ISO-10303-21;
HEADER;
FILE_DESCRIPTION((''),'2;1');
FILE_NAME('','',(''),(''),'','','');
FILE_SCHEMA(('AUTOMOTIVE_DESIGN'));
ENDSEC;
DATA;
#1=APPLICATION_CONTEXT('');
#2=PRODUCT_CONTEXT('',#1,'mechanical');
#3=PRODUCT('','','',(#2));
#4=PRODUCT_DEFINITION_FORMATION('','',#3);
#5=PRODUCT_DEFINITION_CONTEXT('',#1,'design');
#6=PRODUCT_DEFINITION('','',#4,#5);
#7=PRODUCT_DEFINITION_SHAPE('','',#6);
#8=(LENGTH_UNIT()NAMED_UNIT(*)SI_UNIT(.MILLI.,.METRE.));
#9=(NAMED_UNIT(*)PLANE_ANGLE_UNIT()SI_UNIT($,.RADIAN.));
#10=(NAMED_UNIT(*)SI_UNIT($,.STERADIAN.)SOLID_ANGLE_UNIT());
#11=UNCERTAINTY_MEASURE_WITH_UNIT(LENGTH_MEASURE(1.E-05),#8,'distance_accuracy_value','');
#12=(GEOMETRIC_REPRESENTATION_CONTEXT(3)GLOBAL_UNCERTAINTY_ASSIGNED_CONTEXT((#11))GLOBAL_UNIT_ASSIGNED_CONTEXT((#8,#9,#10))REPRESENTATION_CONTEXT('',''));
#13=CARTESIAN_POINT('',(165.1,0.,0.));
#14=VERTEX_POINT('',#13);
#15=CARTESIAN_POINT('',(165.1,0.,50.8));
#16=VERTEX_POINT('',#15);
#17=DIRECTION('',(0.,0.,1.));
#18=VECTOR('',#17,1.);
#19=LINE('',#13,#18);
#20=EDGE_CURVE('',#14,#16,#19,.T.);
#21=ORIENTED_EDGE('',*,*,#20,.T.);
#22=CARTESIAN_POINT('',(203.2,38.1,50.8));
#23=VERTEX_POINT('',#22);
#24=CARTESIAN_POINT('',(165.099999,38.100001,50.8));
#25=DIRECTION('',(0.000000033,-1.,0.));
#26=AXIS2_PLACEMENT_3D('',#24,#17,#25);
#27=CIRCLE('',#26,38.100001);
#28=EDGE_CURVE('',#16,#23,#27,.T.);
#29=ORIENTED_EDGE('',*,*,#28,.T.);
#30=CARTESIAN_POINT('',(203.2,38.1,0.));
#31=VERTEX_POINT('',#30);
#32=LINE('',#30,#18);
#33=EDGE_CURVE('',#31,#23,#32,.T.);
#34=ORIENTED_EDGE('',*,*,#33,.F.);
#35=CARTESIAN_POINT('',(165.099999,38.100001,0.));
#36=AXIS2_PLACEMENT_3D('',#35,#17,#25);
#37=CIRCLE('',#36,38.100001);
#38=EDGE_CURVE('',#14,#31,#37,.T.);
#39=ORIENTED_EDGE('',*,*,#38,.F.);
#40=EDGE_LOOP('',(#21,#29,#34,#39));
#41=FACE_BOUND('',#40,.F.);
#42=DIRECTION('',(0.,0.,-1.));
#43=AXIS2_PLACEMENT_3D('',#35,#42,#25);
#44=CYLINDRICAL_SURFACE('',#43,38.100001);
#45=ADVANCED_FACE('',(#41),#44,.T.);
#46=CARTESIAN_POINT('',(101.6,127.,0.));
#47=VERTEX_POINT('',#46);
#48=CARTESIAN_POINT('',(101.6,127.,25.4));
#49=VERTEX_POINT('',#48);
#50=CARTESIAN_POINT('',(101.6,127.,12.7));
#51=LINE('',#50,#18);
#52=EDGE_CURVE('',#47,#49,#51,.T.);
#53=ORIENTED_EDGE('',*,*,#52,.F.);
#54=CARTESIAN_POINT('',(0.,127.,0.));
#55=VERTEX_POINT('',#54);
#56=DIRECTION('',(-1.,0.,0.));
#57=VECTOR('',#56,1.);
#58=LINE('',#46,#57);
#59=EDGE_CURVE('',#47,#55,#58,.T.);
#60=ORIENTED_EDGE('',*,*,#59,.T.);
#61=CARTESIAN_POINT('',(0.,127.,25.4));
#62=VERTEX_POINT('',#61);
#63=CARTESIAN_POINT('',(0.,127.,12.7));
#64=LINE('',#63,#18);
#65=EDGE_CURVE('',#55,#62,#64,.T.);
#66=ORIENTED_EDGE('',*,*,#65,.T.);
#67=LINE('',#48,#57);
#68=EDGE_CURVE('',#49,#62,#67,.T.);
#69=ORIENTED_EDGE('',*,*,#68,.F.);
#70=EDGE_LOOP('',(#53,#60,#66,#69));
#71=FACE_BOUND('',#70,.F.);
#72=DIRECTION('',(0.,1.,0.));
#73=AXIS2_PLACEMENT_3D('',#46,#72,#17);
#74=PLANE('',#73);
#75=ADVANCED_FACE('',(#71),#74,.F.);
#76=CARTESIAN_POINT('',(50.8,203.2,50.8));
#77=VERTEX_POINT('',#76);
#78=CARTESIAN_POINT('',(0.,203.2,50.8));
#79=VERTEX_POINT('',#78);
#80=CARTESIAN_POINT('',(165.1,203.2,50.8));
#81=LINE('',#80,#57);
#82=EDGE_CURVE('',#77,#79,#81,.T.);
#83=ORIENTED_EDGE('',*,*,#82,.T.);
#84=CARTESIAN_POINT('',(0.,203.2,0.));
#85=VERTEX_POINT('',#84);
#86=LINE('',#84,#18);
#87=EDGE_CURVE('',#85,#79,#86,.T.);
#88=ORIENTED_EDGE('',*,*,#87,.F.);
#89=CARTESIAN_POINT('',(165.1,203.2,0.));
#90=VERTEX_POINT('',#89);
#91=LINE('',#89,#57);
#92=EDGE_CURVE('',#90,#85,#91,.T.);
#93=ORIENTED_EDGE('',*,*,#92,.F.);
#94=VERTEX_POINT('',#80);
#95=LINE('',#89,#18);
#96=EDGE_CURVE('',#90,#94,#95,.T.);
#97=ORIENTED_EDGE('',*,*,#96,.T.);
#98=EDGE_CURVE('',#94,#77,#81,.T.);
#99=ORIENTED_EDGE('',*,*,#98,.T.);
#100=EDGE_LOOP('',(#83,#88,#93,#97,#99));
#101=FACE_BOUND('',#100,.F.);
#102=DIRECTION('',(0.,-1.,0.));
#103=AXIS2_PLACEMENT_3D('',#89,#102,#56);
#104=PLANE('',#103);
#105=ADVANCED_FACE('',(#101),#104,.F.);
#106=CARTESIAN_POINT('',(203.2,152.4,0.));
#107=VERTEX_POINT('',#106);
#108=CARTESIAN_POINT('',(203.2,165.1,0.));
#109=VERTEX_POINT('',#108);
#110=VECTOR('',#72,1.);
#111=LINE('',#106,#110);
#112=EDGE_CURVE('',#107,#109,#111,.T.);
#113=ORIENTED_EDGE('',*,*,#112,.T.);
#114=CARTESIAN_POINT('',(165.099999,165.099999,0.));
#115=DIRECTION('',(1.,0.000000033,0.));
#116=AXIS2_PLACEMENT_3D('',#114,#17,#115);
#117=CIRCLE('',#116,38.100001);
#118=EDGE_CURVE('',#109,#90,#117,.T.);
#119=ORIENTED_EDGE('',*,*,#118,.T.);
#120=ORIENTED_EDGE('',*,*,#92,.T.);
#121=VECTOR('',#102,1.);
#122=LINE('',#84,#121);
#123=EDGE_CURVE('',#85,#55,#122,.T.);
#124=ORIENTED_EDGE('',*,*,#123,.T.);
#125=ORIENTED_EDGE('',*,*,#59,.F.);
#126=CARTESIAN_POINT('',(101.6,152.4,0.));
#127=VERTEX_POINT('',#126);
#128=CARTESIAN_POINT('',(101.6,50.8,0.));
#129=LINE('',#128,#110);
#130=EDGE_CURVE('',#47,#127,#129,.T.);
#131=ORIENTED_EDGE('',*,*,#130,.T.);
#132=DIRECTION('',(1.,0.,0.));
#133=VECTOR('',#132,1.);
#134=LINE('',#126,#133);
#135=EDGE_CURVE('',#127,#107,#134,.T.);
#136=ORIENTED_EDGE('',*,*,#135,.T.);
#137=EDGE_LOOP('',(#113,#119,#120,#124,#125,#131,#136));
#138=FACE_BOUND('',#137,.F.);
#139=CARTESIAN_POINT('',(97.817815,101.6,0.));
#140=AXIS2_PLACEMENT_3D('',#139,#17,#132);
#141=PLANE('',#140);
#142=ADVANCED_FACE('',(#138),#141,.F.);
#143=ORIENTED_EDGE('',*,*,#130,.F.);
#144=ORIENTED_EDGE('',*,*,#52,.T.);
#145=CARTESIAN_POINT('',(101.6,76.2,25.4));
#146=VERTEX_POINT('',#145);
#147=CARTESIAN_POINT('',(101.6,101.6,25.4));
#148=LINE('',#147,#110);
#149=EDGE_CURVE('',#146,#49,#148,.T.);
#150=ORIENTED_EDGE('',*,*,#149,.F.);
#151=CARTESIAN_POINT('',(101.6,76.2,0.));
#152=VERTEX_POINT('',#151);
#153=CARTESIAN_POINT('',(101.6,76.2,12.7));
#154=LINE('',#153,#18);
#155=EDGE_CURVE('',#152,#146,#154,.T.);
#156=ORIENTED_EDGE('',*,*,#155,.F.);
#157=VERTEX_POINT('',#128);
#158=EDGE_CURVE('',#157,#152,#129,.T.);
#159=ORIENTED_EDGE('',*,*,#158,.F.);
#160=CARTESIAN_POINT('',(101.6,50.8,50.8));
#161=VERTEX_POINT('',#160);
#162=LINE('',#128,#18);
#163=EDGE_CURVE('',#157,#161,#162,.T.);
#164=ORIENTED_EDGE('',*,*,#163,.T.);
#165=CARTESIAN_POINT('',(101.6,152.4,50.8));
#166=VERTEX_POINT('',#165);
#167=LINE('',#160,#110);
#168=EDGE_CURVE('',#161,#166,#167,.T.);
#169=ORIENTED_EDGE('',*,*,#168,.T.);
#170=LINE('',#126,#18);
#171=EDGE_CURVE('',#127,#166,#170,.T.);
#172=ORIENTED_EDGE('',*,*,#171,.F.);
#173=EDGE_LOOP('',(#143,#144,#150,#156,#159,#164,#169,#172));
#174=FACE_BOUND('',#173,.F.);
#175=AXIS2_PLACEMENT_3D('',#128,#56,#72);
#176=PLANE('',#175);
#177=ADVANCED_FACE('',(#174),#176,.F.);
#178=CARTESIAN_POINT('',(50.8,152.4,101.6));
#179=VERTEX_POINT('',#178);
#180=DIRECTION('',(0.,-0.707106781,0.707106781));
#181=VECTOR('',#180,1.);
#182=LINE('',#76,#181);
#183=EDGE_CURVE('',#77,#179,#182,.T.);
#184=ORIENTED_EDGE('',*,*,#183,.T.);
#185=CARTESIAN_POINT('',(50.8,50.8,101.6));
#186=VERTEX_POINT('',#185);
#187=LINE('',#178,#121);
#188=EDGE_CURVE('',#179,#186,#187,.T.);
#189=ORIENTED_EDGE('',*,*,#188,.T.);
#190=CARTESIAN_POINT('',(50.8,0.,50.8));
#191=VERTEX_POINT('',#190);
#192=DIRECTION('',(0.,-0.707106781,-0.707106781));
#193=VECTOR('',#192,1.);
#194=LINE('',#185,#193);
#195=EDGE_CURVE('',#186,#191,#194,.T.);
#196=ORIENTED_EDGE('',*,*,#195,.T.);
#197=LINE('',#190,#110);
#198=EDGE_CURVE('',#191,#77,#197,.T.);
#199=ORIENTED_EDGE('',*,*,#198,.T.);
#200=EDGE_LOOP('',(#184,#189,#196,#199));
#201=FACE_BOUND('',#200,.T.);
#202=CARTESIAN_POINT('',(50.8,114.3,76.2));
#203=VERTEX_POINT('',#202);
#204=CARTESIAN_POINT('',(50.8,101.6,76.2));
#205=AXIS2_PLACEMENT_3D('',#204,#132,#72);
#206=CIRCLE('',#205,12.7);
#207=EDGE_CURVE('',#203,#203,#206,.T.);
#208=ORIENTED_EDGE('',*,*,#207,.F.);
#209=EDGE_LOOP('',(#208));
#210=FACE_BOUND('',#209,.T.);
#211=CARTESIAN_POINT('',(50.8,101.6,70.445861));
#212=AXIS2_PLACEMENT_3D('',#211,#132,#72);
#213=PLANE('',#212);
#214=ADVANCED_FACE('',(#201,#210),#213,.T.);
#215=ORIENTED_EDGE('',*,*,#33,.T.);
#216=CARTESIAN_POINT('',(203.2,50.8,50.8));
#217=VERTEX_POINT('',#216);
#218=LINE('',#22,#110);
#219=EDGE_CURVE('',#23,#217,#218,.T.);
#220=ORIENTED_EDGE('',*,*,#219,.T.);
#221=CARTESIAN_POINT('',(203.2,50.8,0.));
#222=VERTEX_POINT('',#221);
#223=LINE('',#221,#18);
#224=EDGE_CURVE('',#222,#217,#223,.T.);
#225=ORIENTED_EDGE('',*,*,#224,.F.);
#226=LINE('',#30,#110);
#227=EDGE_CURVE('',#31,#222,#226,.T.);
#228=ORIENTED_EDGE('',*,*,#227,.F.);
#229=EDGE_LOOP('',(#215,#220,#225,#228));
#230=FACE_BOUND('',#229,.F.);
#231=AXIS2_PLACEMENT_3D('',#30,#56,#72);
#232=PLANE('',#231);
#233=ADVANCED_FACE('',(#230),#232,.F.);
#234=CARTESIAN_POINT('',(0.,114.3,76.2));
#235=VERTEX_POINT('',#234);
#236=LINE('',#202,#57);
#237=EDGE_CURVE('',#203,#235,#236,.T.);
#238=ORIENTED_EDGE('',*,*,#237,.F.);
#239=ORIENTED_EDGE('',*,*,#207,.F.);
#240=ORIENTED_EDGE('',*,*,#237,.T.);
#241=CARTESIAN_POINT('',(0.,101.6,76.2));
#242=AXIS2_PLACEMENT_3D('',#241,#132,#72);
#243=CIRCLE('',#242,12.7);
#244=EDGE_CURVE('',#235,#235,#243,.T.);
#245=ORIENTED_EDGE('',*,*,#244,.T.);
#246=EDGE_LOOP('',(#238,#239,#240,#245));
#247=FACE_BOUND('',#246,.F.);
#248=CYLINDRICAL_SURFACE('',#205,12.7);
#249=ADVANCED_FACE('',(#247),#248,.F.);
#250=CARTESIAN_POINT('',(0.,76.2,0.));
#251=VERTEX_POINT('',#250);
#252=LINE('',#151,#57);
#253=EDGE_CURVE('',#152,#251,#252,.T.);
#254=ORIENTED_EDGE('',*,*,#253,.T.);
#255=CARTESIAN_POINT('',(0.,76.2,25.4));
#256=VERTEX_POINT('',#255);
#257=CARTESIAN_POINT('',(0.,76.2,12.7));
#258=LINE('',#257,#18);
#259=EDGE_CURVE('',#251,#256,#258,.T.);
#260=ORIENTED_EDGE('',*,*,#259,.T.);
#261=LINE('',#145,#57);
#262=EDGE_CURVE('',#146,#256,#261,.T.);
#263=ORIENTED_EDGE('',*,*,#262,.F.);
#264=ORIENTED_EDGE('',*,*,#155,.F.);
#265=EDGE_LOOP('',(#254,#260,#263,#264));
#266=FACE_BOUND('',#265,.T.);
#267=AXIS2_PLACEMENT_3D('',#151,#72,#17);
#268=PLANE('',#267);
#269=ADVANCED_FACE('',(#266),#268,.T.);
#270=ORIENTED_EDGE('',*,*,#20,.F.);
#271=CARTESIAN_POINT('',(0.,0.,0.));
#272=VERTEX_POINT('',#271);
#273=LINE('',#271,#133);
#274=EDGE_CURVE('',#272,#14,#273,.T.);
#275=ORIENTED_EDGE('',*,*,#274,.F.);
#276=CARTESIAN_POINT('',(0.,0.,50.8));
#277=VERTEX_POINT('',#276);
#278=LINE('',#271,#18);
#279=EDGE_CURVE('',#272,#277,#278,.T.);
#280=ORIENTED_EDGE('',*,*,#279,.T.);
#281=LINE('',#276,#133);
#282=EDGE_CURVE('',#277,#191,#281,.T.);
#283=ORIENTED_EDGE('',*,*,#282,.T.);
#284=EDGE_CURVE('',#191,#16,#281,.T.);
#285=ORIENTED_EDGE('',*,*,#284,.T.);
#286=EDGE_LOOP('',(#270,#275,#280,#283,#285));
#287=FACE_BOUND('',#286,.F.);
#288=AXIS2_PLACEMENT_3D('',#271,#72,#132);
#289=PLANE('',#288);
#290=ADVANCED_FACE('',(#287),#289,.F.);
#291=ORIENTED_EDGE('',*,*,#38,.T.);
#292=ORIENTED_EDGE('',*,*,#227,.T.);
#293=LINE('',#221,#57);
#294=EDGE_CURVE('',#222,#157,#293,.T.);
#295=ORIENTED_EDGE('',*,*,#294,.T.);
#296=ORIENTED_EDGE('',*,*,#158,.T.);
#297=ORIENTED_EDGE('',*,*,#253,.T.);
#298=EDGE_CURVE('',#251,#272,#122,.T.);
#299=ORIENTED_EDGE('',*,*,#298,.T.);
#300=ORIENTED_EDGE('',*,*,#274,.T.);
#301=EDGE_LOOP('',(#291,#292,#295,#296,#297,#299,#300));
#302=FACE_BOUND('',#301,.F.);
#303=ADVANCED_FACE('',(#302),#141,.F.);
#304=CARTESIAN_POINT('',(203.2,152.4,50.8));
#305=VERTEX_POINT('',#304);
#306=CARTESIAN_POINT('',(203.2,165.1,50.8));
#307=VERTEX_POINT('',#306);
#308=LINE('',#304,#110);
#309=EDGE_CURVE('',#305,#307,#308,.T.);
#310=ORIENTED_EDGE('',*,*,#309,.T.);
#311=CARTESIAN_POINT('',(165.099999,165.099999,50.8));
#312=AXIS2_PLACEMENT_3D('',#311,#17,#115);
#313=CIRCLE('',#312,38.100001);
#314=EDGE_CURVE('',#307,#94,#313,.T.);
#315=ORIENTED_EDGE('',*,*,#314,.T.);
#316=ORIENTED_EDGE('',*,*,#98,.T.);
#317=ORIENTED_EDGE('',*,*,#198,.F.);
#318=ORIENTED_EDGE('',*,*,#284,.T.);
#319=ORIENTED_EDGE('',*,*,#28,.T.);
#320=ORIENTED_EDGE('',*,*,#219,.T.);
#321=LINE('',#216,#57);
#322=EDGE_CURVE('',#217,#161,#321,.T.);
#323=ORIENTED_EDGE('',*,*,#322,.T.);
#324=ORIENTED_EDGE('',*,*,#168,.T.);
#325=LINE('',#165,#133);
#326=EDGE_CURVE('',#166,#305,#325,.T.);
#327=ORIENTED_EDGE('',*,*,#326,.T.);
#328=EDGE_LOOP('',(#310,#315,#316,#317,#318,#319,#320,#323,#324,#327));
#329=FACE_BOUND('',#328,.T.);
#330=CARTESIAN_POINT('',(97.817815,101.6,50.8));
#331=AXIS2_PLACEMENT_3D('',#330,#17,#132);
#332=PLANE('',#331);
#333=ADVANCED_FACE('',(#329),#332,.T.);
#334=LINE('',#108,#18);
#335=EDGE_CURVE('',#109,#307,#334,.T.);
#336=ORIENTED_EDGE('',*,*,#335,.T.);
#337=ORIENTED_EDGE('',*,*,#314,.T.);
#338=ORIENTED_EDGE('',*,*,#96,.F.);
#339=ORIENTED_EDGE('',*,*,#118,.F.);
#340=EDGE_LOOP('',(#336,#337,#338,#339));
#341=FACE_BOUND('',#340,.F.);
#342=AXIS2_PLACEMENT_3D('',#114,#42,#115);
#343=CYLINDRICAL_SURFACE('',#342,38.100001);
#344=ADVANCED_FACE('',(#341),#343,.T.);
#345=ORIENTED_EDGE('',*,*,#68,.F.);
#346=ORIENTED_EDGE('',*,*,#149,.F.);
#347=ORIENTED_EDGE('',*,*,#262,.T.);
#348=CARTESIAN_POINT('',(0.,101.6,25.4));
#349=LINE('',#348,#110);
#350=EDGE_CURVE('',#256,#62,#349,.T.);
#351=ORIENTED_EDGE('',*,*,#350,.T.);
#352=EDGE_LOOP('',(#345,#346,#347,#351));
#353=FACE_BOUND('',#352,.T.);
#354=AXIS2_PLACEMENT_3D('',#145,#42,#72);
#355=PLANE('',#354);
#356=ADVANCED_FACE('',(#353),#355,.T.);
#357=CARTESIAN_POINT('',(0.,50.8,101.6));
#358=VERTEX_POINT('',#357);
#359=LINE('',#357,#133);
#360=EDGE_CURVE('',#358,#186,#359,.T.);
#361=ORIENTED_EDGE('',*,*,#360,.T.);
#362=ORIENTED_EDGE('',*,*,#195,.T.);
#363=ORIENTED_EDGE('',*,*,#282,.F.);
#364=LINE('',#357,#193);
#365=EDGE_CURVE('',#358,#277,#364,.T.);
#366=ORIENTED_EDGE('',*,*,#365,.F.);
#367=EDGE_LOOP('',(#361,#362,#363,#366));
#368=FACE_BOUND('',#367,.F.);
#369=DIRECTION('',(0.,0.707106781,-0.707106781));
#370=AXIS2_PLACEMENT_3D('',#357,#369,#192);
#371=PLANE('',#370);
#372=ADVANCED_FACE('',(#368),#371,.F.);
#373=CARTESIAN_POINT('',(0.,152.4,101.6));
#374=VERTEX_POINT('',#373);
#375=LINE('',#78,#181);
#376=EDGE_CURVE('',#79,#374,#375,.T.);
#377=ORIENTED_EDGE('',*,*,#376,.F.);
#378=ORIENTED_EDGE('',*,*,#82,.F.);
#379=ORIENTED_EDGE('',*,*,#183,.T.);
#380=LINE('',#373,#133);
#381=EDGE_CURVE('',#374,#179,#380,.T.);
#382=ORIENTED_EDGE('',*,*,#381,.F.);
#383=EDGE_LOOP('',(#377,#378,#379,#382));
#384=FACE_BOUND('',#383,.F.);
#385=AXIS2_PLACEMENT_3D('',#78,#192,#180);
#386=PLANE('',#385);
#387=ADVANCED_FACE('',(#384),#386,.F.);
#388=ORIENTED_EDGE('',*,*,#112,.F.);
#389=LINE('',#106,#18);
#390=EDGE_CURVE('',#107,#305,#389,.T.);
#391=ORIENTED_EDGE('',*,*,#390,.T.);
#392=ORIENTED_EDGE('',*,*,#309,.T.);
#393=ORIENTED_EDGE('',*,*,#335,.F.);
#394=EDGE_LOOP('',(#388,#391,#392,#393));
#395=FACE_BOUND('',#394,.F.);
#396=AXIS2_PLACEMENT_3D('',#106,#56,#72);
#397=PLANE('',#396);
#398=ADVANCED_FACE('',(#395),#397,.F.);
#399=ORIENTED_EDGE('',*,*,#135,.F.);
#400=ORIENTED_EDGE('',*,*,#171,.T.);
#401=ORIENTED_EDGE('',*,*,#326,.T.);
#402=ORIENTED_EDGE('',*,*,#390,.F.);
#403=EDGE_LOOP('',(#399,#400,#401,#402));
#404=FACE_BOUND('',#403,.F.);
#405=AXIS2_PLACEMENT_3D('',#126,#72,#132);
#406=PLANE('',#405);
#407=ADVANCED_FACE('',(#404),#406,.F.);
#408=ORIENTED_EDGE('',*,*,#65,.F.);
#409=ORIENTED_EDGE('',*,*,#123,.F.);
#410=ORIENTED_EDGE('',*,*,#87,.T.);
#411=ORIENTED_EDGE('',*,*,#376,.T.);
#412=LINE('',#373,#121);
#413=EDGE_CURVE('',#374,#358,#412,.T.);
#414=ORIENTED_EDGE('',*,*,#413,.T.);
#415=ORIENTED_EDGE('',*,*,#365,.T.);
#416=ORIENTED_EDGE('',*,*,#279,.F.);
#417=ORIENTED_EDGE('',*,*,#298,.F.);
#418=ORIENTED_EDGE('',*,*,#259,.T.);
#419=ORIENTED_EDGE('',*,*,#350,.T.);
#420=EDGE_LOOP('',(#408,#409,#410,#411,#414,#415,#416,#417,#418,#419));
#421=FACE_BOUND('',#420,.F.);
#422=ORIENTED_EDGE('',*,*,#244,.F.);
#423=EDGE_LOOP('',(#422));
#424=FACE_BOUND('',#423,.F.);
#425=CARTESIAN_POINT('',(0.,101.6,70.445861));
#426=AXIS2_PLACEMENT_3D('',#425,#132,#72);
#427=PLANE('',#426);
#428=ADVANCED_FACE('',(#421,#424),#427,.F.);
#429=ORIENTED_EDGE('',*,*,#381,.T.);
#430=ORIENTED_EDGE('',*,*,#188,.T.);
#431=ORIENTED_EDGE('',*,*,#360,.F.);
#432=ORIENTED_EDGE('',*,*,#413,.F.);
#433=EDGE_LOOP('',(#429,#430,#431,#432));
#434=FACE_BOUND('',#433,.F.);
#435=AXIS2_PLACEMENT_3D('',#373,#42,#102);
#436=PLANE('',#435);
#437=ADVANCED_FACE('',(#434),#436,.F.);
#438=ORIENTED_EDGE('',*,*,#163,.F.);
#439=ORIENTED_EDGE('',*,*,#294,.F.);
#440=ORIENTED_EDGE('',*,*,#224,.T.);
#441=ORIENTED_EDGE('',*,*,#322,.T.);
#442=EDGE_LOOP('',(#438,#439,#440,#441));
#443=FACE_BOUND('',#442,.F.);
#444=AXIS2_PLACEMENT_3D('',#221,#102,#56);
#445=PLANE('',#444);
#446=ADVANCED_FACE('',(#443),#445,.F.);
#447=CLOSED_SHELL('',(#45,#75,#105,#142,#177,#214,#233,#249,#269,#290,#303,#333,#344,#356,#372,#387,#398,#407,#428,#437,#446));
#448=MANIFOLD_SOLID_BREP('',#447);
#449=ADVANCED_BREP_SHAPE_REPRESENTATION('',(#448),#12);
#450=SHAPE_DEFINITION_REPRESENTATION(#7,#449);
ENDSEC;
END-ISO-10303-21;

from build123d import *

# Parameters (mm, degrees)
F1_DEPTH = 50.8
F3_DEPTH = 50.8
F4_R     = 12.7
F5_DEPTH = 50.8
F6_W     = 50.8
F6_H     = 25.4
F7_DEPTH = 101.6


with BuildPart() as f1:
    # F0 (on Top) → F1 (new body)
    with BuildSketch(Plane.XY):
        with BuildLine():
            Line((165.1, 203.2), (0, 203.2))
            Line((0, 203.2), (0, 0))
            Line((0, 0), (165.1, 0))
            ThreePointArc((165.1, 0), (192.040768, 11.159232), (203.2, 38.1))
            Line((203.2, 38.1), (203.2, 50.8))
            Line((203.2, 50.8), (101.6, 50.8))
            Line((101.6, 50.8), (101.6, 152.4))
            Line((101.6, 152.4), (203.2, 152.4))
            Line((203.2, 152.4), (203.2, 165.1))
            ThreePointArc((203.2, 165.1), (192.040768, 192.040768), (165.1, 203.2))
        make_face()
    extrude(amount=F1_DEPTH)

    # F2 (on Right) → F3 (join)
    with BuildSketch(Plane.YZ):
        Polygon((152.4, 101.6), (50.8, 101.6), (0, 50.8), (203.2, 50.8), align=None)
    extrude(amount=F3_DEPTH)

    # F4 (on face) → F5 (cut)
    with BuildSketch(Plane.YZ.offset(50.8)):
        with Locations((101.6, 76.2)):
            Circle(F4_R)
    extrude(amount=-F5_DEPTH, mode=Mode.SUBTRACT)

    # F6 (on face) → F7 (cut)
    with BuildSketch(Plane.YZ.offset(101.6)):
        with Locations((101.6, 12.7)):
            Rectangle(F6_W, F6_H)
    extrude(amount=-F7_DEPTH, mode=Mode.SUBTRACT)


solid = f1.part
